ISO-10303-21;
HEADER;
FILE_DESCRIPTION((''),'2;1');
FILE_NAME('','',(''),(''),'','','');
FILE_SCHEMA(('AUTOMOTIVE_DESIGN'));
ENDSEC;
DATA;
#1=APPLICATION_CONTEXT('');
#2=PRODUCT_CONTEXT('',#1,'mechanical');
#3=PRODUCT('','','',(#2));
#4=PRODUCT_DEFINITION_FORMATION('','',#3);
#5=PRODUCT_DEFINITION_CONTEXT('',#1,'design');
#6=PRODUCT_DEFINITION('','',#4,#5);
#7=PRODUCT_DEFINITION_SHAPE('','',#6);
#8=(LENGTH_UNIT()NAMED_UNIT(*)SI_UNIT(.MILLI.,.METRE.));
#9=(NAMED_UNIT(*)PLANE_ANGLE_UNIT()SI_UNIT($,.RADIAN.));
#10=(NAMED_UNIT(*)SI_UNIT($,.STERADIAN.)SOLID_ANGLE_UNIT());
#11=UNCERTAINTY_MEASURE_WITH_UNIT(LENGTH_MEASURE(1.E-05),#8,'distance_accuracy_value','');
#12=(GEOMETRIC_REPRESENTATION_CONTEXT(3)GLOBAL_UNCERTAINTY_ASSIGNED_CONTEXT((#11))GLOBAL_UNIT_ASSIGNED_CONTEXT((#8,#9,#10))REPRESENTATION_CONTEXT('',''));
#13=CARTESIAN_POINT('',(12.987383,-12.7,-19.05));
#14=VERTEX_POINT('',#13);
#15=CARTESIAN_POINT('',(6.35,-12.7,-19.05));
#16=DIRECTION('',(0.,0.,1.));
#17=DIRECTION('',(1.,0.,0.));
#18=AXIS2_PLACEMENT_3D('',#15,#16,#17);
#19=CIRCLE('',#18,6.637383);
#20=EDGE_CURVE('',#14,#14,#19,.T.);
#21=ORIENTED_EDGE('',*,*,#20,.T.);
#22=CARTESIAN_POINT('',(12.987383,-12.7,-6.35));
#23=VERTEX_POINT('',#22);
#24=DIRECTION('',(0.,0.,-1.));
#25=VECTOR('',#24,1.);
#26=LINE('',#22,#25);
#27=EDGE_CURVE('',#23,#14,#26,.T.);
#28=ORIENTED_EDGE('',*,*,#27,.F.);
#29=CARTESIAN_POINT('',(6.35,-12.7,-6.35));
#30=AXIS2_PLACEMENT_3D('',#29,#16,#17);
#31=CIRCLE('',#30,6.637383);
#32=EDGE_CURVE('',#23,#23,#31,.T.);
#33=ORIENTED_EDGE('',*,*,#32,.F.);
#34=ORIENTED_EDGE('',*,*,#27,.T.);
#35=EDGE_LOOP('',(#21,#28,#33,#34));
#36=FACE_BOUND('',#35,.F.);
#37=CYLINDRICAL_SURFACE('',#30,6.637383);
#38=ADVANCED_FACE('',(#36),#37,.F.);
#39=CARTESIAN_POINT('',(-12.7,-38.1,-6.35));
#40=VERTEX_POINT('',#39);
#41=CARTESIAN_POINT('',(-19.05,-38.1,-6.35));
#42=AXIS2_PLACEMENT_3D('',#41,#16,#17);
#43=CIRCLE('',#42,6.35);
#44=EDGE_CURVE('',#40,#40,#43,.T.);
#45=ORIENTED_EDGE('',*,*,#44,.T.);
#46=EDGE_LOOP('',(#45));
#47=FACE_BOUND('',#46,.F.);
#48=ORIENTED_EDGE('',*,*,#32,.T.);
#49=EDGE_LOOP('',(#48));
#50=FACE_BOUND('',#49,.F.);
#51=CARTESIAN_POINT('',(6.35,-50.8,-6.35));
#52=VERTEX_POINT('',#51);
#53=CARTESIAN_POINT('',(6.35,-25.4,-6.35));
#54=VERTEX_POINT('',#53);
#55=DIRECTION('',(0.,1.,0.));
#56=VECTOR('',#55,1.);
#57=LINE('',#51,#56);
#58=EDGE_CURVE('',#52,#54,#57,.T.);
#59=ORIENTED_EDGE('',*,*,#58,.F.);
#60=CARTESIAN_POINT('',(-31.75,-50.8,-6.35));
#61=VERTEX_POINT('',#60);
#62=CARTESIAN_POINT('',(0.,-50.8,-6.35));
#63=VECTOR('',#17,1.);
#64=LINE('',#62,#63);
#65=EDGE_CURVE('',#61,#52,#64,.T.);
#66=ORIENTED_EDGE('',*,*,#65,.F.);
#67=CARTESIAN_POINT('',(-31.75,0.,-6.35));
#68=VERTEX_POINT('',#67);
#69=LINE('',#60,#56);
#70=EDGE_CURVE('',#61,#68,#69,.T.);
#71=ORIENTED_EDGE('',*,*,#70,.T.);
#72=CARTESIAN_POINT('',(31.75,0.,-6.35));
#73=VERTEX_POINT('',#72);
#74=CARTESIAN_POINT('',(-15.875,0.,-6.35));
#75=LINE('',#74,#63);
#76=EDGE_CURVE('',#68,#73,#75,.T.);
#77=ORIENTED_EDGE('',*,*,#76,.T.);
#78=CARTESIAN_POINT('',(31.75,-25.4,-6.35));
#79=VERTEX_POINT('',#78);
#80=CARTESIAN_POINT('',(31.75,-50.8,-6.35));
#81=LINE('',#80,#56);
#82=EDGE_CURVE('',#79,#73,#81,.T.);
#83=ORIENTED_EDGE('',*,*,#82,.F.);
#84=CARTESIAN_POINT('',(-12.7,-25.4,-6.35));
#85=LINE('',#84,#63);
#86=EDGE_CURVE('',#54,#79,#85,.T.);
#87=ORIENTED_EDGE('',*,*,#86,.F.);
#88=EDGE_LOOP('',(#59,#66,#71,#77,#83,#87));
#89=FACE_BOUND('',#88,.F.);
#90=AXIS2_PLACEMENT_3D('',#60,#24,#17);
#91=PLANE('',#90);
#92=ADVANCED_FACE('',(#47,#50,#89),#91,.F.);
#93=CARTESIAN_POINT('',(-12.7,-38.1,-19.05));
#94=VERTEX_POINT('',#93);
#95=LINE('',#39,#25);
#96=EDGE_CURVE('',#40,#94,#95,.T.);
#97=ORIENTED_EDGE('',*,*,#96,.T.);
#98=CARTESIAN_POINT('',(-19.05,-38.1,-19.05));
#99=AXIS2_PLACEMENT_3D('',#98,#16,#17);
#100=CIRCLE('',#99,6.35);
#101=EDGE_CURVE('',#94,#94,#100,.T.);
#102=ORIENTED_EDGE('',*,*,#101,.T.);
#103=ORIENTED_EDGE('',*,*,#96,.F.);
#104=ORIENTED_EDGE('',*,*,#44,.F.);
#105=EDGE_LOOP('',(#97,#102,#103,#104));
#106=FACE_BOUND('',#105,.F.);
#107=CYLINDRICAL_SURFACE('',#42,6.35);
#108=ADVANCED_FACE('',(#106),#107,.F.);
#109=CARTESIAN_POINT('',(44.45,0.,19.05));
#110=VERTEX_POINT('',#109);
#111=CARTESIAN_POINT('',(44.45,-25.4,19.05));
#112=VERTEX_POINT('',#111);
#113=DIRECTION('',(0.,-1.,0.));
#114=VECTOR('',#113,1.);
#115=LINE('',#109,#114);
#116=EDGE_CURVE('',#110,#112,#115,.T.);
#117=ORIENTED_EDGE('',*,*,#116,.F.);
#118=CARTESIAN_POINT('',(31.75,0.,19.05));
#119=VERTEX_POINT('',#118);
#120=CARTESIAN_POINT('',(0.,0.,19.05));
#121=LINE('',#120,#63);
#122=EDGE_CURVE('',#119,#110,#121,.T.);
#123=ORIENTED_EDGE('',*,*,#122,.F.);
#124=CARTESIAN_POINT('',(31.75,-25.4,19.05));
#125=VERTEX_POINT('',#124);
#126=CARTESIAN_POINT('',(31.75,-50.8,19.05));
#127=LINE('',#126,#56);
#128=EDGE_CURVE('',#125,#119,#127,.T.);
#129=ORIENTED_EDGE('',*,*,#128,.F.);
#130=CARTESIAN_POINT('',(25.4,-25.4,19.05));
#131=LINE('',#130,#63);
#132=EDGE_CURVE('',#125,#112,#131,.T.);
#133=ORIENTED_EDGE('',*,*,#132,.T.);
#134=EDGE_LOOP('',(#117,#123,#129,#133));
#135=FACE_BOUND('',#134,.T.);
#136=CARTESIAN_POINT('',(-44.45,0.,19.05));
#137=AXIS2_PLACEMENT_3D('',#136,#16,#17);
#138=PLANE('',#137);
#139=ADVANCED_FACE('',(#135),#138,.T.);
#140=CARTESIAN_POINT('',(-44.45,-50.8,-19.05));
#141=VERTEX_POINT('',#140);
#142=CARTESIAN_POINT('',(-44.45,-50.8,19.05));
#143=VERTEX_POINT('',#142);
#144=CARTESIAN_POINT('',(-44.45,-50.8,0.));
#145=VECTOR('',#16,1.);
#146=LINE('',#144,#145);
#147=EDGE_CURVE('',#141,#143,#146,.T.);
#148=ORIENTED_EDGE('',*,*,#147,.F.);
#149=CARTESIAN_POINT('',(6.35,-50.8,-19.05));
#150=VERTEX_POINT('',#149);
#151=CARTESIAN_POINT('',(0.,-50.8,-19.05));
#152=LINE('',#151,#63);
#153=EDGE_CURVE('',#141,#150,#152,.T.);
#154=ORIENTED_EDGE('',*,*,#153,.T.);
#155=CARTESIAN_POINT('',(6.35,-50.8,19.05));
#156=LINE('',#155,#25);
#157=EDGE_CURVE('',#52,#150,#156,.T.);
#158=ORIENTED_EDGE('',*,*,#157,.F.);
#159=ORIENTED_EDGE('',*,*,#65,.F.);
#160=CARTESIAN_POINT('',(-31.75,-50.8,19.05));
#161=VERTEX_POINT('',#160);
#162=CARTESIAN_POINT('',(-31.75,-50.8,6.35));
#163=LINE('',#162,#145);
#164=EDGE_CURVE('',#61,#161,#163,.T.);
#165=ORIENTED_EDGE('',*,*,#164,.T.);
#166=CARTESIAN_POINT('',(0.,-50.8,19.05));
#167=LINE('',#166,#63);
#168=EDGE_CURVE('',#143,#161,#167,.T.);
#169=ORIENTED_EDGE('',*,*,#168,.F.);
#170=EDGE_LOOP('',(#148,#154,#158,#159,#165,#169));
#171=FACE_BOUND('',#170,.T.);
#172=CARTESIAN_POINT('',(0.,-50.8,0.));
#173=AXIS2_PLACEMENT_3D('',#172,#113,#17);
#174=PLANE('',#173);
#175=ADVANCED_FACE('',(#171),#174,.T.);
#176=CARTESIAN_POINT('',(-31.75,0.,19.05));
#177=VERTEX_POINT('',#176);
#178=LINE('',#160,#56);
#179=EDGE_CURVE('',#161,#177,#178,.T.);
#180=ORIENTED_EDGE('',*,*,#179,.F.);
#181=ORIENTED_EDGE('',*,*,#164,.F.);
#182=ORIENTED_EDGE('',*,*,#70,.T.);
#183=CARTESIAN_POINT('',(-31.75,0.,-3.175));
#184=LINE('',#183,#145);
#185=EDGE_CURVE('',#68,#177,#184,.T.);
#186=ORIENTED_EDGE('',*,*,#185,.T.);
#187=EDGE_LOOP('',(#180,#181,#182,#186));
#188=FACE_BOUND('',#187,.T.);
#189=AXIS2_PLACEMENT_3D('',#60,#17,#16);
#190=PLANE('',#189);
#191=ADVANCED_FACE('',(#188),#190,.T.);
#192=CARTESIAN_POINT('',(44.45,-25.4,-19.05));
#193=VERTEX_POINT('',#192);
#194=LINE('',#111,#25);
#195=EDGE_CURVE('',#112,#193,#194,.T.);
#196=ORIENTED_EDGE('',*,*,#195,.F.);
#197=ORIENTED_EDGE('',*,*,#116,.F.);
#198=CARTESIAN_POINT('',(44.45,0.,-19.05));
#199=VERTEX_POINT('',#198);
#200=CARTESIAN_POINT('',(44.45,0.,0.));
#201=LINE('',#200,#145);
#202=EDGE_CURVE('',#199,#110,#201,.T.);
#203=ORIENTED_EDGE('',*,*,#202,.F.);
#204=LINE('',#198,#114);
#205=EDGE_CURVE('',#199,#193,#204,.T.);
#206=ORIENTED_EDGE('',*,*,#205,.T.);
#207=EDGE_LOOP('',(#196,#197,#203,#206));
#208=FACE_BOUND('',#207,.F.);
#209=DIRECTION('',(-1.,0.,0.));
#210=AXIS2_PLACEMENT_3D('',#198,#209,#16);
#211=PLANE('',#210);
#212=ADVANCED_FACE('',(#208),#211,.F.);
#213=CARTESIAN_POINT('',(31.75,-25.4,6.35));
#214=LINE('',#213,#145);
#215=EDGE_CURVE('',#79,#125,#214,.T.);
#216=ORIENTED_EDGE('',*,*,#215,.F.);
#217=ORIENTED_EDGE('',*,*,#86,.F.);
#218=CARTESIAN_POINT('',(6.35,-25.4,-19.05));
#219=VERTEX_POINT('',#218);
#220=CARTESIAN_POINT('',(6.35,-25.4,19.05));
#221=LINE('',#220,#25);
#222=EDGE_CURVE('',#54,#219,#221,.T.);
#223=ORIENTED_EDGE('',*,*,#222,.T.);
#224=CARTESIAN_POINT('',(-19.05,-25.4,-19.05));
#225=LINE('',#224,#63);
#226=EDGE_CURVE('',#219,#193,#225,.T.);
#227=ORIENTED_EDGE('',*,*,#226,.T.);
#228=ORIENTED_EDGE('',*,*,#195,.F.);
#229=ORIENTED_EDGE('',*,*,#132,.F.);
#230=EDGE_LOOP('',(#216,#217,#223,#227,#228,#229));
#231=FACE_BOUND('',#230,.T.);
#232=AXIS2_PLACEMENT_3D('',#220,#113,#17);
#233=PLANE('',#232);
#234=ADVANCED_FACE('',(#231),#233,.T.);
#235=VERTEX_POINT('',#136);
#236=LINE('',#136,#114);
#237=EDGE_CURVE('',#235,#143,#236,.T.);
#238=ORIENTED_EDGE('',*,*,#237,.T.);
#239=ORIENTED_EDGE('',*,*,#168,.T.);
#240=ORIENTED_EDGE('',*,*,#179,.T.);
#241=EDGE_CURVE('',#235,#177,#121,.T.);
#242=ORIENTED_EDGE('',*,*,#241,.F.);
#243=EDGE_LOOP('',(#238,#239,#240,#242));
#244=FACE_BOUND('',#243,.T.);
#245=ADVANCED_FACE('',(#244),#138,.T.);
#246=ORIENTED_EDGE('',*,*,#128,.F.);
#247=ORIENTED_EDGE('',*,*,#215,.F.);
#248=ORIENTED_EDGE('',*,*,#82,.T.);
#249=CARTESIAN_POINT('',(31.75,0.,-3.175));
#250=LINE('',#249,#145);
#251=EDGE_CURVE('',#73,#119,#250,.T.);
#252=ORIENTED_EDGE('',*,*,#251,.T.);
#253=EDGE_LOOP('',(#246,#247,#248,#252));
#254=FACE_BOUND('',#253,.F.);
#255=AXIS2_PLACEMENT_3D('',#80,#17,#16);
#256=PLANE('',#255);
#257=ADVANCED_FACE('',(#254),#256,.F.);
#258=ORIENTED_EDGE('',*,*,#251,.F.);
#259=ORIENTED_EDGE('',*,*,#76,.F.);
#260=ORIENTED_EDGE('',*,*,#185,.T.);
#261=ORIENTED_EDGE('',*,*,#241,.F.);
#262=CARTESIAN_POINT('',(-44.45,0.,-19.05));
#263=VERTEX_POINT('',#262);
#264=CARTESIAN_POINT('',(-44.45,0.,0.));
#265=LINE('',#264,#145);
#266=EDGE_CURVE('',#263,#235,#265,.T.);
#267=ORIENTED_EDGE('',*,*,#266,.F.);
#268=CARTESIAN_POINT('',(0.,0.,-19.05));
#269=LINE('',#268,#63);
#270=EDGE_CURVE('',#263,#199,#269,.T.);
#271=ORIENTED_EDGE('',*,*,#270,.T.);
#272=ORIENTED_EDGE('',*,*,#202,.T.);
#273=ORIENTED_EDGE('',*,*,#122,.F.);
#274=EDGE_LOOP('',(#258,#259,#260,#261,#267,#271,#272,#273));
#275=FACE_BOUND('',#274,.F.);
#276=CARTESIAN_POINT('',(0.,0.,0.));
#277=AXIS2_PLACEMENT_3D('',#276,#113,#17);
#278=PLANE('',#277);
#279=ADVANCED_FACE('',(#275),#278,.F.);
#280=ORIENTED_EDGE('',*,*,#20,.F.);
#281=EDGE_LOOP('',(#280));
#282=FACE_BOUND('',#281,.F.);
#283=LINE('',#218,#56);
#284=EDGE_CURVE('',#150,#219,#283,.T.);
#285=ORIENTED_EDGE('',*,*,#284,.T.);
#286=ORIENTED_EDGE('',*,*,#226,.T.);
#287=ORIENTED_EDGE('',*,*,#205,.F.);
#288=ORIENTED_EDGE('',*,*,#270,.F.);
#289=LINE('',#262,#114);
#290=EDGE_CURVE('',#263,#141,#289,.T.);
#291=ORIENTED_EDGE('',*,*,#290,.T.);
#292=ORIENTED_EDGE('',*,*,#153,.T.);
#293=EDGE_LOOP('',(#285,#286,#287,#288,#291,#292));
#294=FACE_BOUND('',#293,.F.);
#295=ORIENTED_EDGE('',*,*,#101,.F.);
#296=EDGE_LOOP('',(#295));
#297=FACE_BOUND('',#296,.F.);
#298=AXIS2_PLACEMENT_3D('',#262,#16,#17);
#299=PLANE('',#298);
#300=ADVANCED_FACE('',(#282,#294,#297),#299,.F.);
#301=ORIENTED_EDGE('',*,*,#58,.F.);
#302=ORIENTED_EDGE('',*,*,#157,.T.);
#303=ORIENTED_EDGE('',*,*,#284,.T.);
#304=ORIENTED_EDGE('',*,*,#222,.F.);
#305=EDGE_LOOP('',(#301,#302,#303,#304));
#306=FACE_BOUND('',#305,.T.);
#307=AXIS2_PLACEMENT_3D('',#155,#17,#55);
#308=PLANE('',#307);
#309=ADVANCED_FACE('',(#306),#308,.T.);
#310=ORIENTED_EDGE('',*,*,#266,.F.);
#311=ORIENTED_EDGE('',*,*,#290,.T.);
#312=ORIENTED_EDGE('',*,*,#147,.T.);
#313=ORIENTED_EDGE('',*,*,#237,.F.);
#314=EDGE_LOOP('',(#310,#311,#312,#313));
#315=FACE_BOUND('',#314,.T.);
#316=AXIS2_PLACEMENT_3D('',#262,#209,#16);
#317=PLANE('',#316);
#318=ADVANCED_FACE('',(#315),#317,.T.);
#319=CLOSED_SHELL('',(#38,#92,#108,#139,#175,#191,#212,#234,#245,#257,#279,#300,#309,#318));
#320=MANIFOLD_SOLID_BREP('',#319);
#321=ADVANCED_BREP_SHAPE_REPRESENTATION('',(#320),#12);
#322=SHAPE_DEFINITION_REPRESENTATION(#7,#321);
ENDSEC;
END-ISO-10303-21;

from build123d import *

# Parameters (mm, degrees)
F0_W     = 88.9
F0_H     = 38.1
F1_DEPTH = 50.8
F2_W     = 38.1
F2_H     = 25.4
F3_DEPTH = 38.101
F4_W     = 63.5
F4_H     = 25.4
F5_DEPTH = 50.801
F6_R     = 6.35
F6_R_2   = 6.637383
F7_DEPTH = 12.701


with BuildPart() as f1:
    # F0 (on Front) → F1 (new body)
    with BuildSketch(Plane.XZ):
        Rectangle(F0_W, F0_H)
    extrude(amount=F1_DEPTH)

    # F2 (on face) → F3 (cut, through all)
    with BuildSketch(Plane.XY.offset(19.05)):
        with Locations((25.4, -38.1)):
            Rectangle(F2_W, F2_H)
    extrude(amount=-F3_DEPTH, mode=Mode.SUBTRACT)

    # F4 (on face) → F5 (cut, through all)
    with BuildSketch(Plane.XZ.offset(50.8)):
        with Locations((0, 6.35)):
            Rectangle(F4_W, F4_H)
    extrude(amount=-F5_DEPTH, mode=Mode.SUBTRACT)

    # F6 (on face) → F7 (cut, through all)
    with BuildSketch(Plane.XY.offset(-6.35)):
        with Locations((-19.05, -38.1)):
            Circle(F6_R)
        with Locations((6.35, -12.7)):
            Circle(F6_R_2)
    extrude(amount=-F7_DEPTH, mode=Mode.SUBTRACT)


solid = f1.part
